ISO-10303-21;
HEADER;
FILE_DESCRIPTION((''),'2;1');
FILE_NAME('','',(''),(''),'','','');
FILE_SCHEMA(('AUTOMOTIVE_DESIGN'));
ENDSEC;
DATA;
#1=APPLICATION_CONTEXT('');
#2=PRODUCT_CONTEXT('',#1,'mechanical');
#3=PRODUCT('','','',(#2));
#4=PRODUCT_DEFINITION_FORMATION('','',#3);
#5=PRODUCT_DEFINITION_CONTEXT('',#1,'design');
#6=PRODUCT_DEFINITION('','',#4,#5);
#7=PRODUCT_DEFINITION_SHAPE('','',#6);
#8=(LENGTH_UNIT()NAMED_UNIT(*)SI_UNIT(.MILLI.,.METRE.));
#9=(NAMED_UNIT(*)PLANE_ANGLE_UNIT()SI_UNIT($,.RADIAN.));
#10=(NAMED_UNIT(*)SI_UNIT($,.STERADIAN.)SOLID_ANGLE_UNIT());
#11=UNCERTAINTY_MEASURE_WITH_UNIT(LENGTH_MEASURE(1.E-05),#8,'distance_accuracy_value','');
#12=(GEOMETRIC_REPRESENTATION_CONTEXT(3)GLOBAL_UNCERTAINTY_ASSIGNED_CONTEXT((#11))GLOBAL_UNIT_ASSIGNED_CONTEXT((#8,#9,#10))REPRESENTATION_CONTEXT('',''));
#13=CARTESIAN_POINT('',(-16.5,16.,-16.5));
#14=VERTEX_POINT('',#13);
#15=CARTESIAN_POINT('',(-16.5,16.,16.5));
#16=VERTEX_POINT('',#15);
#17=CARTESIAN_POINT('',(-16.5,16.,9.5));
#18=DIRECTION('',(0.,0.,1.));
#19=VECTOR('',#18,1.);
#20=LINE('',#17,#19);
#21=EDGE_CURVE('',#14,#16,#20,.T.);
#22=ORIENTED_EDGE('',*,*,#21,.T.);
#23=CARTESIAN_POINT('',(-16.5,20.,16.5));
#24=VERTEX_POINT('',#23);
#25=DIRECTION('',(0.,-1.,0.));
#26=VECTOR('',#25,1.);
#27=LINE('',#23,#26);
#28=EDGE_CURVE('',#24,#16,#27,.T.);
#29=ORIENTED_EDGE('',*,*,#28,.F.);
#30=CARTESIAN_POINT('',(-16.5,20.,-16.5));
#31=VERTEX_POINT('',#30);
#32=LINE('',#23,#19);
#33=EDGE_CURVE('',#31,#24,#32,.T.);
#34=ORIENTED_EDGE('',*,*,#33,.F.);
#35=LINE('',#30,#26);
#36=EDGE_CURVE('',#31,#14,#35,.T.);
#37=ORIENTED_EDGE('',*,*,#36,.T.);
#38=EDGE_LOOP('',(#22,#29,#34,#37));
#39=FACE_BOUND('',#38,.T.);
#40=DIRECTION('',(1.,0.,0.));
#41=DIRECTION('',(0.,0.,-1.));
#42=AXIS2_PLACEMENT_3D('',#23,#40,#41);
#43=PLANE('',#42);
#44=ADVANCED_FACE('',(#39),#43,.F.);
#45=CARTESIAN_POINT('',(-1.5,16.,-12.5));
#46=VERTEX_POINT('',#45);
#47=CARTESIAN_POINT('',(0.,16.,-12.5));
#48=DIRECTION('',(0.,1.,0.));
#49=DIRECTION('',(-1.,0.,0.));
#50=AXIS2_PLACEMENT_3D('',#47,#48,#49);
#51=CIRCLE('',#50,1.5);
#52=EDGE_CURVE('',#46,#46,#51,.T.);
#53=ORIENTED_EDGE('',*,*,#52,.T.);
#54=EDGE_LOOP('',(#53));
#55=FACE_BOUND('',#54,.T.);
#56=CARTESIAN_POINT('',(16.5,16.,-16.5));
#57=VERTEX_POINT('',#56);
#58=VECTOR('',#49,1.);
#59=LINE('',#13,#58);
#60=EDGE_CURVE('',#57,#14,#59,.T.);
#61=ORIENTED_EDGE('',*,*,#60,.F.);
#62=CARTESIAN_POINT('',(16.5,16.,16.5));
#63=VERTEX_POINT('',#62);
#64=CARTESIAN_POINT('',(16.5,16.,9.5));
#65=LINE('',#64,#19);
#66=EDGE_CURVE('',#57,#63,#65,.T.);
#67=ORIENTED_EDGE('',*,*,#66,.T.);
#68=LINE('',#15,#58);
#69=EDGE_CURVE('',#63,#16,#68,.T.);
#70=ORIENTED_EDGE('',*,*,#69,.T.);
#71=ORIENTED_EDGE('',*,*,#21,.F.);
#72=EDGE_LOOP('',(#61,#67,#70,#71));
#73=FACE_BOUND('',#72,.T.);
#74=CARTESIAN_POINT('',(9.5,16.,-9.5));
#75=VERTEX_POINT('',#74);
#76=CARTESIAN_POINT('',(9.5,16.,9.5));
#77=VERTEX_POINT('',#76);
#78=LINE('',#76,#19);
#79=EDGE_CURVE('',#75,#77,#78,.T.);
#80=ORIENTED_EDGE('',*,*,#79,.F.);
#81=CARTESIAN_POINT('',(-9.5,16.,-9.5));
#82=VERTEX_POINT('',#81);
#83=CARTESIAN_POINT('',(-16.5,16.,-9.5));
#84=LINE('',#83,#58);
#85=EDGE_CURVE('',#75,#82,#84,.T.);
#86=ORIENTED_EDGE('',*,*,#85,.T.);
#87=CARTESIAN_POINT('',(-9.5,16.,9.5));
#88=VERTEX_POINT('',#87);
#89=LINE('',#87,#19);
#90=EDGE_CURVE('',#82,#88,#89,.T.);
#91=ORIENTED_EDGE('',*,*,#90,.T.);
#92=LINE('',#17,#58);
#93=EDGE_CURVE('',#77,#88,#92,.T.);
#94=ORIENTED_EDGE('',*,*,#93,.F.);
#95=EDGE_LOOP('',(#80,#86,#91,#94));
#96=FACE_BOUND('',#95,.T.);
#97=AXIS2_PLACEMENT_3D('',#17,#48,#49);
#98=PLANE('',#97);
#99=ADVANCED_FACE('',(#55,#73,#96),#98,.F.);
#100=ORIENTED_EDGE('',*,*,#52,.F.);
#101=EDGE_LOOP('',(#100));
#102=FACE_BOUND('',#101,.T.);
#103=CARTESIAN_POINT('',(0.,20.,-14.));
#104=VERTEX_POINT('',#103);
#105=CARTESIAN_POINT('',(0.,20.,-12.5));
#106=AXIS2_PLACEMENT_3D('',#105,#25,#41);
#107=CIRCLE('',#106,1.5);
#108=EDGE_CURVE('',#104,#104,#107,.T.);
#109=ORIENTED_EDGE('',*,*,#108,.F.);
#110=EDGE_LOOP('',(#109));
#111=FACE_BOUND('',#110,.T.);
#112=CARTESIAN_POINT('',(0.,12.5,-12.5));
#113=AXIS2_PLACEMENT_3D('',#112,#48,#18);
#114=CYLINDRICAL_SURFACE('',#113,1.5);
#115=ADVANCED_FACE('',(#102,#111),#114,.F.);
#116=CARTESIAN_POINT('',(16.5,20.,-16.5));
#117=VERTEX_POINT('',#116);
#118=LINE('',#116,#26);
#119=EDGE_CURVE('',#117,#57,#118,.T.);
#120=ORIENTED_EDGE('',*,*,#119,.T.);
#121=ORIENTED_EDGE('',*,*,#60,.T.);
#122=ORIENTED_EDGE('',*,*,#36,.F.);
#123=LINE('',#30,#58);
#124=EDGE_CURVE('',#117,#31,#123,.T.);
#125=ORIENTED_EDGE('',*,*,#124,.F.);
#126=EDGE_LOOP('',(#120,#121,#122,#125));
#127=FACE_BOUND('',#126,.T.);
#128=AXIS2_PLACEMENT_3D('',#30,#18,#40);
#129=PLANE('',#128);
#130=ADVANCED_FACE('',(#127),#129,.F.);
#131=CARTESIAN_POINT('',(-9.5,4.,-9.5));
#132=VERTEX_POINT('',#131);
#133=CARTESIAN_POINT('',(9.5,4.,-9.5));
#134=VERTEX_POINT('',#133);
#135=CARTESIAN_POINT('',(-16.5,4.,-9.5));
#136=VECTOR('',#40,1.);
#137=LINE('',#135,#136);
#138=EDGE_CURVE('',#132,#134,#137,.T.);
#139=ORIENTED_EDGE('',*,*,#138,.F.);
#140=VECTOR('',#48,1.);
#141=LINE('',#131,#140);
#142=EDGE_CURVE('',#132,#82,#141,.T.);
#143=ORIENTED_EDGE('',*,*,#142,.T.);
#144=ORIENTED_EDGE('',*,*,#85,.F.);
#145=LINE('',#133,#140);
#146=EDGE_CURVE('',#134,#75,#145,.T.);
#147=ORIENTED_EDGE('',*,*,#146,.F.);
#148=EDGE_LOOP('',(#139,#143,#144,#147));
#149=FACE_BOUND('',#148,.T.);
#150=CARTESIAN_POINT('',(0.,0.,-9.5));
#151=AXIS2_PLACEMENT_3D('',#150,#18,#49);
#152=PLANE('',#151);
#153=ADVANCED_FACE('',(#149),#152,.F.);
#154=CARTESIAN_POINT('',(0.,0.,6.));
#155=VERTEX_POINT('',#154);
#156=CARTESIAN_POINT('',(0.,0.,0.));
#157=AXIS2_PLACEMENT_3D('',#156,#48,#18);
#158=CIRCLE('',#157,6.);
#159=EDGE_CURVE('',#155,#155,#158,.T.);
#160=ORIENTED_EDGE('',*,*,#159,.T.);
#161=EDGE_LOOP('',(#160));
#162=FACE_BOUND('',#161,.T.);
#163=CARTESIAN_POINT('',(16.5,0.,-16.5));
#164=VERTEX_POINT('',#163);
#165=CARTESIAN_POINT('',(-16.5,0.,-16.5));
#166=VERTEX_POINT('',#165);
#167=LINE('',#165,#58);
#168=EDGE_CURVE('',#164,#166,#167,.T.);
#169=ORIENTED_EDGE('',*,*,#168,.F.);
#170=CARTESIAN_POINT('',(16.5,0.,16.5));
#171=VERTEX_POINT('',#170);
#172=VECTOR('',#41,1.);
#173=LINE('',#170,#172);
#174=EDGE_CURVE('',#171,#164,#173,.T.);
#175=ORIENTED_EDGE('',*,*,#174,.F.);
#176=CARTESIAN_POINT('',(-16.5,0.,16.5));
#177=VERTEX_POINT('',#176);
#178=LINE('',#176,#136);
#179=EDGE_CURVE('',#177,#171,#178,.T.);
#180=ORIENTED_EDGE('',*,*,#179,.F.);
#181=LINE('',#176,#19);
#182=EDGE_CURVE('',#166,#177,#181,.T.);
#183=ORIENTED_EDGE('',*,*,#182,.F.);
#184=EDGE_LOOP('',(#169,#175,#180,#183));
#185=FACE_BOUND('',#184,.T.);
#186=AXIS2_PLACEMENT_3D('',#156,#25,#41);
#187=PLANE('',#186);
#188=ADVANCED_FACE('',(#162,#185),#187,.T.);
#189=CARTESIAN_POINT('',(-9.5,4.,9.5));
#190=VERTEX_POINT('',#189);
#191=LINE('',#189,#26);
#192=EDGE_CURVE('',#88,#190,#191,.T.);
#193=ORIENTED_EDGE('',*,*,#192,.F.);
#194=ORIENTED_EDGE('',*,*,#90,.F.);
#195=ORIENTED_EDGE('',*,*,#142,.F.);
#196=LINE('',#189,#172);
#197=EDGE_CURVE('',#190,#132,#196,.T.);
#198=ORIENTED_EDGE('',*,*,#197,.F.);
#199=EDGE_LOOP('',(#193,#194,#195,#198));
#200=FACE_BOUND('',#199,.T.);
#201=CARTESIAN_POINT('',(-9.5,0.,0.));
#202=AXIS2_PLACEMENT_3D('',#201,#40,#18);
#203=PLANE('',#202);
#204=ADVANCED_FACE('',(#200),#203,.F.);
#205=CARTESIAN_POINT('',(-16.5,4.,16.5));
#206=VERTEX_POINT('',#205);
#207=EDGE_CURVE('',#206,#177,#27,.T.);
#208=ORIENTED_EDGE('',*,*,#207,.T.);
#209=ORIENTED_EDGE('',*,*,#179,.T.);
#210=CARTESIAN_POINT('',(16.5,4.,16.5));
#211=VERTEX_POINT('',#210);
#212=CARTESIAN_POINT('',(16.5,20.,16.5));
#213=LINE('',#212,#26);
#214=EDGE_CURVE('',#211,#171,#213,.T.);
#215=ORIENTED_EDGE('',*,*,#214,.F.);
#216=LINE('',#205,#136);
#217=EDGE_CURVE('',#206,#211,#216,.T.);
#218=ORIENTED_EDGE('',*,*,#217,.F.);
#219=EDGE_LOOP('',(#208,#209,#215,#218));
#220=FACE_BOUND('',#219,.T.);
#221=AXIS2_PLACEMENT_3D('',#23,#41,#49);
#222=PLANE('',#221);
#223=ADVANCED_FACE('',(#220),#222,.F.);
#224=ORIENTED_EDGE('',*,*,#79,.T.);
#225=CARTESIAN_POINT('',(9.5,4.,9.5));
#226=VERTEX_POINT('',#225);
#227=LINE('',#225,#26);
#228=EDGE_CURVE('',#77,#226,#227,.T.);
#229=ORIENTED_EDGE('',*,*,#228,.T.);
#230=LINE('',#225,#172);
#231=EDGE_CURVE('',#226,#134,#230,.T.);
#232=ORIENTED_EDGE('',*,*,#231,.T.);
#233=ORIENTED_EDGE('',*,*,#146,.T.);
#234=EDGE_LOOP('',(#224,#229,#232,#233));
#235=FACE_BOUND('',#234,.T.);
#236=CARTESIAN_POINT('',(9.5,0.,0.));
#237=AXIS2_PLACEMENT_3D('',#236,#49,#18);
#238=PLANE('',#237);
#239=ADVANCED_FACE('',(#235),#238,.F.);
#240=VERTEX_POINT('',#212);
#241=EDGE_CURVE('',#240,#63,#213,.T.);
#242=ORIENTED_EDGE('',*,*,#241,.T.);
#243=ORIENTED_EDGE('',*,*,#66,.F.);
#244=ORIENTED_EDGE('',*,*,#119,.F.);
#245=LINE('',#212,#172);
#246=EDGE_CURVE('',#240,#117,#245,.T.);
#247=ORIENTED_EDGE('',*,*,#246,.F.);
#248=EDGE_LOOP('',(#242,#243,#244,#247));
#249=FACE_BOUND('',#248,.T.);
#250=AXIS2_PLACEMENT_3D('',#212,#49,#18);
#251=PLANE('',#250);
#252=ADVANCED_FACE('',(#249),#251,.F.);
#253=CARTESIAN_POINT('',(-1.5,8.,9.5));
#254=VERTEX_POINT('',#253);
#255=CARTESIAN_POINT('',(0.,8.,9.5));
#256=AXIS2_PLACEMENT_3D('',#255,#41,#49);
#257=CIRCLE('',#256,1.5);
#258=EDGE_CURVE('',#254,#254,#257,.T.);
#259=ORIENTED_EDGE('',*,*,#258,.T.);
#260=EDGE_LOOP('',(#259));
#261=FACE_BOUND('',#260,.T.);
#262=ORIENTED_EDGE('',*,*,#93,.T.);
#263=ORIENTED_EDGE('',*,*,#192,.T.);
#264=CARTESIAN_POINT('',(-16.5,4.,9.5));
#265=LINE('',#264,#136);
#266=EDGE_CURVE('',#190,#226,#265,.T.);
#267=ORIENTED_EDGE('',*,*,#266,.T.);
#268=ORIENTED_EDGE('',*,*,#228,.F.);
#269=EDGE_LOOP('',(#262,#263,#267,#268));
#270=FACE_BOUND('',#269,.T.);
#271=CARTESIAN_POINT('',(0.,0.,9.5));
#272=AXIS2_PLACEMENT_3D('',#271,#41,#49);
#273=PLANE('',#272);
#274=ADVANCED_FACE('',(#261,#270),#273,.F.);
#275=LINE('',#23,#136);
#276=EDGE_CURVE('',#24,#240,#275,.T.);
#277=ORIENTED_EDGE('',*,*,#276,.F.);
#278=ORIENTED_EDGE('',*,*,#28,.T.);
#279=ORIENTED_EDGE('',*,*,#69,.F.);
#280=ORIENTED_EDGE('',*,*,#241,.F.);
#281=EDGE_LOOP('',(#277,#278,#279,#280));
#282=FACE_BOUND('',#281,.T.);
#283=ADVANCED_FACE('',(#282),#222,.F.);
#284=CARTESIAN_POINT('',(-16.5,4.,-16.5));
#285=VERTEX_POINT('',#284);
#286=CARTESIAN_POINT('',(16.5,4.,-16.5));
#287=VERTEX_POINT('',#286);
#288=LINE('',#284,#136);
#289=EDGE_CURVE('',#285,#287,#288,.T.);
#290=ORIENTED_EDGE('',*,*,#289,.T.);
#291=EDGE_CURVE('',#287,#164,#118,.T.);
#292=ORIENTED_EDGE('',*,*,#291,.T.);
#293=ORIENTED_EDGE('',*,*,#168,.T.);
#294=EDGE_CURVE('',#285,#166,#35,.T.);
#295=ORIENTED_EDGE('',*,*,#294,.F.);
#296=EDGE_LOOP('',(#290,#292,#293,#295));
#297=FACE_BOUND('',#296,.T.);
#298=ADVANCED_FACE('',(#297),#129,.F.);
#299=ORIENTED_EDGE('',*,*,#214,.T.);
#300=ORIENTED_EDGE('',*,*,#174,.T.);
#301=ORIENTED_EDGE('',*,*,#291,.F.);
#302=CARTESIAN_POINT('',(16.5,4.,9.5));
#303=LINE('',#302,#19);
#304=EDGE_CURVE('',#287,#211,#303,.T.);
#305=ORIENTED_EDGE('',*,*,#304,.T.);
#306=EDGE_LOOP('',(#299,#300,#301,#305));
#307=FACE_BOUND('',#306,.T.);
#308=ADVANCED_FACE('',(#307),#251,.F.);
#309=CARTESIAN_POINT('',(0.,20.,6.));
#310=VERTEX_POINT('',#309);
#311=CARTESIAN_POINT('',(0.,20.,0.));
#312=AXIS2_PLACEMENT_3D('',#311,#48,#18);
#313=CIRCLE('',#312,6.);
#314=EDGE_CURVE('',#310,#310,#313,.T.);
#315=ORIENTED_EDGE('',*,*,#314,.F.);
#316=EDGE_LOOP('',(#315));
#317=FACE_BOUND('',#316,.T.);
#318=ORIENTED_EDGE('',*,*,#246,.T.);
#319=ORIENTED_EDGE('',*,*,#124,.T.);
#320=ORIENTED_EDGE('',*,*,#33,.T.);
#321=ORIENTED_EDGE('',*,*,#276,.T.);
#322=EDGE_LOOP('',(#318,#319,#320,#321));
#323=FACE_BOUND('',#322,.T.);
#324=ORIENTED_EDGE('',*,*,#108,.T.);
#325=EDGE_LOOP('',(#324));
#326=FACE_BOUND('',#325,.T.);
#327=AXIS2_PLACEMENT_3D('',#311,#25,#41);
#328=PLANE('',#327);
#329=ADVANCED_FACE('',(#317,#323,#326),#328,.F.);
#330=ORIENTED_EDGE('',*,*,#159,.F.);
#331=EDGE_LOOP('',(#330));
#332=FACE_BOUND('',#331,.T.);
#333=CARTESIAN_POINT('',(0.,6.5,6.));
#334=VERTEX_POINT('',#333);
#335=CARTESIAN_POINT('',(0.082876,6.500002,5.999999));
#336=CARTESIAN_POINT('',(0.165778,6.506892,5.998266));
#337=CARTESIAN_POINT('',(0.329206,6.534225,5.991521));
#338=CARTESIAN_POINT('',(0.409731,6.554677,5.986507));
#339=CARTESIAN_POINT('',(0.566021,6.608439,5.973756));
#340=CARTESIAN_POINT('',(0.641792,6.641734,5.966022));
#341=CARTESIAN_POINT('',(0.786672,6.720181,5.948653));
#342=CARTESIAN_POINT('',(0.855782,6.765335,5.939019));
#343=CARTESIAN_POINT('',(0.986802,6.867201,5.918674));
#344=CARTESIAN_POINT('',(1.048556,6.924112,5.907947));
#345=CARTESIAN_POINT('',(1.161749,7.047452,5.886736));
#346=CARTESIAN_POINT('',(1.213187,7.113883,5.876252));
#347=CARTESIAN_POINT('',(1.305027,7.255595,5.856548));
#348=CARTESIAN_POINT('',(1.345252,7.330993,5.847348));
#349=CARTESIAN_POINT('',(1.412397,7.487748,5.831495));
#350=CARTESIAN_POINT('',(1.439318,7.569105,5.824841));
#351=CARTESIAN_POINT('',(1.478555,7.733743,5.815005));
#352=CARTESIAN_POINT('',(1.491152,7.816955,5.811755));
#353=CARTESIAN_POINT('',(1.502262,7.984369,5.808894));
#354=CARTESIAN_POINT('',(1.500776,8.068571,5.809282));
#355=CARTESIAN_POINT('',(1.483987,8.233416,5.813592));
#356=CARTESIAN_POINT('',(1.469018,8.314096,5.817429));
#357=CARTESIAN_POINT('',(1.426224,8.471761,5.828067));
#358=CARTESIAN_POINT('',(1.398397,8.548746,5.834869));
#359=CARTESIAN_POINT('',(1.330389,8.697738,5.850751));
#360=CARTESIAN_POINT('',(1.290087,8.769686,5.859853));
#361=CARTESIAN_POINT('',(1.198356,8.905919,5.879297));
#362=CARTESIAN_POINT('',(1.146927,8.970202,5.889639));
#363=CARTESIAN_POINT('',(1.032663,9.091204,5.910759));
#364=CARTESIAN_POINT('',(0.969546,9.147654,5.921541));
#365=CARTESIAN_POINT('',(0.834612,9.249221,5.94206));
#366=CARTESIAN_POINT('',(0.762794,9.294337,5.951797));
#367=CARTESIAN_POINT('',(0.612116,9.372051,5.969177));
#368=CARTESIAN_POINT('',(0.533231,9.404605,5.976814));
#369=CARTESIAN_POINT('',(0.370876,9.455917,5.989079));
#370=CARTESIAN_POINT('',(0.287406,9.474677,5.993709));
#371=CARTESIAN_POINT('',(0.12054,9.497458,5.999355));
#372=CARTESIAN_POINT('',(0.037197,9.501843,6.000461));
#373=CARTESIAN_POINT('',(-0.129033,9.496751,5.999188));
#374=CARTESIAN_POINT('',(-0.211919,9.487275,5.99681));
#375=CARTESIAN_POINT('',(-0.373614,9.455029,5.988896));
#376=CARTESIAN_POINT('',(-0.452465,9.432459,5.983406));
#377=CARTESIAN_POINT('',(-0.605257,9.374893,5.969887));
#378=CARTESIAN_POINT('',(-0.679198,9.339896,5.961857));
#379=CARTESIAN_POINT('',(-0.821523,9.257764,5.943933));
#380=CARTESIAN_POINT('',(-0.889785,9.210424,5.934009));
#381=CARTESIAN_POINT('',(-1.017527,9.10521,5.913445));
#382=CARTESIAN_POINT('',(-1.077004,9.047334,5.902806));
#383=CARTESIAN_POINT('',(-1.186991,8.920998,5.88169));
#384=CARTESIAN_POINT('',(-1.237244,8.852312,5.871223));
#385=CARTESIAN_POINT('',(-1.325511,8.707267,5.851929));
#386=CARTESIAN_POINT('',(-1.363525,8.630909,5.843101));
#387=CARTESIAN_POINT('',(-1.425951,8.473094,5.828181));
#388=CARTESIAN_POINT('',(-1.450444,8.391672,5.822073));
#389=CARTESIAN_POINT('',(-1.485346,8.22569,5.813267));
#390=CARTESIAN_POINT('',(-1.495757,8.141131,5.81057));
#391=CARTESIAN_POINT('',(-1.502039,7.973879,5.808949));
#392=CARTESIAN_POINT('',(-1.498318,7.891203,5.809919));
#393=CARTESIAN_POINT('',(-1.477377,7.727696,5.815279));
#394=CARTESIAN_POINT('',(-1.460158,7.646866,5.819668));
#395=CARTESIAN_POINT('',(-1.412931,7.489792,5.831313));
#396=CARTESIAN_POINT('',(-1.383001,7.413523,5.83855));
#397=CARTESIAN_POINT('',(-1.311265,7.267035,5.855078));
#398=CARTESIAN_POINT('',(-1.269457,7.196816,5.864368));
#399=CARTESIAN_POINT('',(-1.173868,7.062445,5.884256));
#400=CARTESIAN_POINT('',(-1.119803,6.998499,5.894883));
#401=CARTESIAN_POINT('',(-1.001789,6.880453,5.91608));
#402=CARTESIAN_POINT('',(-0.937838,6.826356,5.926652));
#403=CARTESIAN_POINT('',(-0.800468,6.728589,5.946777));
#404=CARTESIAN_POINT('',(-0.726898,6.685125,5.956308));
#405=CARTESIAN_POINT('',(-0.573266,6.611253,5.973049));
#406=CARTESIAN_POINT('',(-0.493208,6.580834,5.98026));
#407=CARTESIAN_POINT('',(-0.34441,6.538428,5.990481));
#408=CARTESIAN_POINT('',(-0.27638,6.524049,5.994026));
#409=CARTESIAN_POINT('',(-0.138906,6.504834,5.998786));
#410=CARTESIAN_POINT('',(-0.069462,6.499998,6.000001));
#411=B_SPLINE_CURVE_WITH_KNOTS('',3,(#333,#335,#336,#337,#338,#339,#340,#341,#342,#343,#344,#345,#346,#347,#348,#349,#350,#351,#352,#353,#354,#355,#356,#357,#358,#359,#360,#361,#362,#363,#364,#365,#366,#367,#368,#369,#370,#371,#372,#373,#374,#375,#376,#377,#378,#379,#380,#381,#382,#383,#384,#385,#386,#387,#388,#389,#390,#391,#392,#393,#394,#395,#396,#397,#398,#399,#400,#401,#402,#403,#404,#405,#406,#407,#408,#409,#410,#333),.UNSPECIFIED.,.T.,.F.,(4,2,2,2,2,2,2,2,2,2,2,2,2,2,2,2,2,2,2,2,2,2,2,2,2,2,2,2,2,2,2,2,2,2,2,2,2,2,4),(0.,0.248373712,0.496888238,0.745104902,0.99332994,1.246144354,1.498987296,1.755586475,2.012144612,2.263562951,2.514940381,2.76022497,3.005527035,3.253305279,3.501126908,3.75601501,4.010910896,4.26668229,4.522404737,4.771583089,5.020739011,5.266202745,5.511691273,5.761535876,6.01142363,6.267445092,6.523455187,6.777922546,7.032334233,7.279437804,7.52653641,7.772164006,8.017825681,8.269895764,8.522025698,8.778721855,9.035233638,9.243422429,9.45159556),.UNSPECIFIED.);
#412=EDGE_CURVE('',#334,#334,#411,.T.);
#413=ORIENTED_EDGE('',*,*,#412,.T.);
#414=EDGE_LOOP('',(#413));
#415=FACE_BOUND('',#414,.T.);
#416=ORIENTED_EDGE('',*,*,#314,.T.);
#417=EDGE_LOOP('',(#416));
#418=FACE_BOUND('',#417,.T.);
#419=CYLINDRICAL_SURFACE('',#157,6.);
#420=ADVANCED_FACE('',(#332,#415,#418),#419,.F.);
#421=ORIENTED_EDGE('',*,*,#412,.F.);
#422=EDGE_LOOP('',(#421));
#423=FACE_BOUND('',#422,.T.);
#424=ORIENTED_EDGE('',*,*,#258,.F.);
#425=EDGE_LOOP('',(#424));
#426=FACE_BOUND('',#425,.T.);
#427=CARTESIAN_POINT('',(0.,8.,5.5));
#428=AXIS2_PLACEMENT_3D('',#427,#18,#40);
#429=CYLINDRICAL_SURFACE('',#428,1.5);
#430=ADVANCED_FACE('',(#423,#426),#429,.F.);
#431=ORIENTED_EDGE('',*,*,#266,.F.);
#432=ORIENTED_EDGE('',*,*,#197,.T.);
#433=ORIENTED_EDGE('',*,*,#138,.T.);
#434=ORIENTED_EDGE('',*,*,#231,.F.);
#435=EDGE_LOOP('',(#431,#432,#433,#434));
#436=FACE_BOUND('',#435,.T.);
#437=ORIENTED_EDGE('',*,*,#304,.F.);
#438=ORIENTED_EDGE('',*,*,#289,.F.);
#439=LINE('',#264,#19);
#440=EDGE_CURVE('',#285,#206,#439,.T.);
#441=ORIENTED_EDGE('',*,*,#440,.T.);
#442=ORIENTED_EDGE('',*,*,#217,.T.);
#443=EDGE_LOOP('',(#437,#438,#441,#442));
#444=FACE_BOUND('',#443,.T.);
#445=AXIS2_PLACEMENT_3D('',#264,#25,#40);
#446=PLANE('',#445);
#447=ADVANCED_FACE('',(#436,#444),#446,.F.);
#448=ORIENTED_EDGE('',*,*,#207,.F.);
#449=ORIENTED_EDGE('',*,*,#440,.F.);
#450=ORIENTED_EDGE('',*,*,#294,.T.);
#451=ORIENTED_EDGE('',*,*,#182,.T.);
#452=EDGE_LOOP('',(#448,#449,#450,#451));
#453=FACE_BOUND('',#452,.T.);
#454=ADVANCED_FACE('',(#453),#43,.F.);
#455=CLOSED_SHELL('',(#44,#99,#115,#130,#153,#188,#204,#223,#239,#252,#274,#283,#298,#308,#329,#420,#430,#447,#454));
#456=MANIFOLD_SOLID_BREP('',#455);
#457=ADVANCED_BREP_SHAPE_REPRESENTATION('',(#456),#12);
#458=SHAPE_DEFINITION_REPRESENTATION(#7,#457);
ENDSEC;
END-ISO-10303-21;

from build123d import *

# Parameters (mm, degrees)
SKETCH3_W                                  = 33
SKETCH3_H                                  = 33
BOSS_EXTRUDE1_DEPTH                        = 20
SKETCH4_W                                  = 33
SKETCH4_H                                  = 12
CUT_EXTRUDE1_DEPTH                         = 7
MIRROR7_AT_THE_SECOND_PLANE_COPY_1_SKETC_W = 33
MIRROR7_AT_THE_SECOND_PLANE_COPY_1_SKETC_H = 12
MIRROR7_AT_THE_SECOND_PLANE_COPY_1_DEPTH   = 7
SKETCH6_W                                  = 19
SKETCH6_H                                  = 12
CUT_EXTRUDE2_DEPTH                         = 7
MIRROR8_AT_THE_SECOND_PLANE_COPY_1_SKETC_W = 19
MIRROR8_AT_THE_SECOND_PLANE_COPY_1_SKETC_H = 12
MIRROR8_AT_THE_SECOND_PLANE_COPY_1_DEPTH   = 7
SKETCH7_R                                  = 6
CUT_EXTRUDE3_DEPTH                         = 31.732718721
SKETCH9_R                                  = 1.5
CUT_EXTRUDE5_DEPTH                         = 7.5
SKETCH10_R                                 = 1.5
CUT_EXTRUDE9_DEPTH                         = 4


with BuildPart() as part:
    # Sketch3 → Boss-Extrude1 (new body)
    with BuildSketch(Plane(origin=(0, 0, 0), x_dir=(1, 0, 0), z_dir=(0, 1, 0))):
        Rectangle(SKETCH3_W, SKETCH3_H)
    extrude(amount=BOSS_EXTRUDE1_DEPTH)

    # Sketch4 → Cut-Extrude1 (cut)
    with BuildSketch(Plane.XY.offset(16.5)):
        with Locations((0, 10)):
            Rectangle(SKETCH4_W, SKETCH4_H)
    cut_extrude1 = extrude(amount=-CUT_EXTRUDE1_DEPTH, mode=Mode.SUBTRACT)

    # Mirror7: Cut-Extrude1 across plane
    add(cut_extrude1.mirror(Plane(origin=(0, 0, 0), x_dir=(0, 0, 1), z_dir=(1, 0, 0))), mode=Mode.SUBTRACT)

    # Mirror7 at the second plane: Cut-Extrude1 across plane
    add(cut_extrude1.mirror(Plane.XY), mode=Mode.SUBTRACT)

    # Mirror7 at the second plane copy 1 sketc → Mirror7 at the second plane copy 1 (cut)
    with BuildSketch(Plane(origin=(0, 0, -16.5), x_dir=(-1, 0, 0), z_dir=(0, 0, -1))):
        with Locations((0, 10)):
            Rectangle(MIRROR7_AT_THE_SECOND_PLANE_COPY_1_SKETC_W, MIRROR7_AT_THE_SECOND_PLANE_COPY_1_SKETC_H)
    extrude(amount=-MIRROR7_AT_THE_SECOND_PLANE_COPY_1_DEPTH, mode=Mode.SUBTRACT)

    # Sketch6 → Cut-Extrude2 (cut)
    with BuildSketch(Plane(origin=(16.5, 0, 0), x_dir=(0, 0, -1), z_dir=(1, 0, 0))):
        with Locations((0, 10)):
            Rectangle(SKETCH6_W, SKETCH6_H)
    cut_extrude2 = extrude(amount=-CUT_EXTRUDE2_DEPTH, mode=Mode.SUBTRACT)

    # Mirror8: Cut-Extrude2 across plane
    add(cut_extrude2.mirror(Plane.XY), mode=Mode.SUBTRACT)

    # Mirror8 at the second plane: Cut-Extrude2 across plane
    add(cut_extrude2.mirror(Plane(origin=(0, 0, 0), x_dir=(0, 0, 1), z_dir=(1, 0, 0))), mode=Mode.SUBTRACT)

    # Mirror8 at the second plane copy 1 sketc → Mirror8 at the second plane copy 1 (cut)
    with BuildSketch(Plane.ZY.offset(16.5)):
        with Locations((0, 10)):
            Rectangle(MIRROR8_AT_THE_SECOND_PLANE_COPY_1_SKETC_W, MIRROR8_AT_THE_SECOND_PLANE_COPY_1_SKETC_H)
    extrude(amount=-MIRROR8_AT_THE_SECOND_PLANE_COPY_1_DEPTH, mode=Mode.SUBTRACT)

    # Sketch7 → Cut-Extrude3 (cut, through all)
    with BuildSketch(Plane(origin=(0, 20, 0), x_dir=(1, 0, 0), z_dir=(0, 1, 0))):
        with Locations(Location((0, 0, 0), (0, 0, 270))):
            Circle(SKETCH7_R)
    extrude(amount=-CUT_EXTRUDE3_DEPTH, mode=Mode.SUBTRACT)

    # Sketch9 → Cut-Extrude5 (cut, symmetric)
    with BuildSketch(Plane(origin=(0, 20, 0), x_dir=(1, 0, 0), z_dir=(0, 1, 0))):
        with Locations(Location((0, 12.5, 0), (0, 0, 180))):
            Circle(SKETCH9_R)
    extrude(amount=CUT_EXTRUDE5_DEPTH, both=True, mode=Mode.SUBTRACT)

    # Sketch10 → Cut-Extrude9 (cut, symmetric)
    with BuildSketch(Plane.XY.offset(9.5)):
        with Locations(Location((0, 8, 0), (0, 0, 90))):
            Circle(SKETCH10_R)
    extrude(amount=CUT_EXTRUDE9_DEPTH, both=True, mode=Mode.SUBTRACT)


solid = part.part
